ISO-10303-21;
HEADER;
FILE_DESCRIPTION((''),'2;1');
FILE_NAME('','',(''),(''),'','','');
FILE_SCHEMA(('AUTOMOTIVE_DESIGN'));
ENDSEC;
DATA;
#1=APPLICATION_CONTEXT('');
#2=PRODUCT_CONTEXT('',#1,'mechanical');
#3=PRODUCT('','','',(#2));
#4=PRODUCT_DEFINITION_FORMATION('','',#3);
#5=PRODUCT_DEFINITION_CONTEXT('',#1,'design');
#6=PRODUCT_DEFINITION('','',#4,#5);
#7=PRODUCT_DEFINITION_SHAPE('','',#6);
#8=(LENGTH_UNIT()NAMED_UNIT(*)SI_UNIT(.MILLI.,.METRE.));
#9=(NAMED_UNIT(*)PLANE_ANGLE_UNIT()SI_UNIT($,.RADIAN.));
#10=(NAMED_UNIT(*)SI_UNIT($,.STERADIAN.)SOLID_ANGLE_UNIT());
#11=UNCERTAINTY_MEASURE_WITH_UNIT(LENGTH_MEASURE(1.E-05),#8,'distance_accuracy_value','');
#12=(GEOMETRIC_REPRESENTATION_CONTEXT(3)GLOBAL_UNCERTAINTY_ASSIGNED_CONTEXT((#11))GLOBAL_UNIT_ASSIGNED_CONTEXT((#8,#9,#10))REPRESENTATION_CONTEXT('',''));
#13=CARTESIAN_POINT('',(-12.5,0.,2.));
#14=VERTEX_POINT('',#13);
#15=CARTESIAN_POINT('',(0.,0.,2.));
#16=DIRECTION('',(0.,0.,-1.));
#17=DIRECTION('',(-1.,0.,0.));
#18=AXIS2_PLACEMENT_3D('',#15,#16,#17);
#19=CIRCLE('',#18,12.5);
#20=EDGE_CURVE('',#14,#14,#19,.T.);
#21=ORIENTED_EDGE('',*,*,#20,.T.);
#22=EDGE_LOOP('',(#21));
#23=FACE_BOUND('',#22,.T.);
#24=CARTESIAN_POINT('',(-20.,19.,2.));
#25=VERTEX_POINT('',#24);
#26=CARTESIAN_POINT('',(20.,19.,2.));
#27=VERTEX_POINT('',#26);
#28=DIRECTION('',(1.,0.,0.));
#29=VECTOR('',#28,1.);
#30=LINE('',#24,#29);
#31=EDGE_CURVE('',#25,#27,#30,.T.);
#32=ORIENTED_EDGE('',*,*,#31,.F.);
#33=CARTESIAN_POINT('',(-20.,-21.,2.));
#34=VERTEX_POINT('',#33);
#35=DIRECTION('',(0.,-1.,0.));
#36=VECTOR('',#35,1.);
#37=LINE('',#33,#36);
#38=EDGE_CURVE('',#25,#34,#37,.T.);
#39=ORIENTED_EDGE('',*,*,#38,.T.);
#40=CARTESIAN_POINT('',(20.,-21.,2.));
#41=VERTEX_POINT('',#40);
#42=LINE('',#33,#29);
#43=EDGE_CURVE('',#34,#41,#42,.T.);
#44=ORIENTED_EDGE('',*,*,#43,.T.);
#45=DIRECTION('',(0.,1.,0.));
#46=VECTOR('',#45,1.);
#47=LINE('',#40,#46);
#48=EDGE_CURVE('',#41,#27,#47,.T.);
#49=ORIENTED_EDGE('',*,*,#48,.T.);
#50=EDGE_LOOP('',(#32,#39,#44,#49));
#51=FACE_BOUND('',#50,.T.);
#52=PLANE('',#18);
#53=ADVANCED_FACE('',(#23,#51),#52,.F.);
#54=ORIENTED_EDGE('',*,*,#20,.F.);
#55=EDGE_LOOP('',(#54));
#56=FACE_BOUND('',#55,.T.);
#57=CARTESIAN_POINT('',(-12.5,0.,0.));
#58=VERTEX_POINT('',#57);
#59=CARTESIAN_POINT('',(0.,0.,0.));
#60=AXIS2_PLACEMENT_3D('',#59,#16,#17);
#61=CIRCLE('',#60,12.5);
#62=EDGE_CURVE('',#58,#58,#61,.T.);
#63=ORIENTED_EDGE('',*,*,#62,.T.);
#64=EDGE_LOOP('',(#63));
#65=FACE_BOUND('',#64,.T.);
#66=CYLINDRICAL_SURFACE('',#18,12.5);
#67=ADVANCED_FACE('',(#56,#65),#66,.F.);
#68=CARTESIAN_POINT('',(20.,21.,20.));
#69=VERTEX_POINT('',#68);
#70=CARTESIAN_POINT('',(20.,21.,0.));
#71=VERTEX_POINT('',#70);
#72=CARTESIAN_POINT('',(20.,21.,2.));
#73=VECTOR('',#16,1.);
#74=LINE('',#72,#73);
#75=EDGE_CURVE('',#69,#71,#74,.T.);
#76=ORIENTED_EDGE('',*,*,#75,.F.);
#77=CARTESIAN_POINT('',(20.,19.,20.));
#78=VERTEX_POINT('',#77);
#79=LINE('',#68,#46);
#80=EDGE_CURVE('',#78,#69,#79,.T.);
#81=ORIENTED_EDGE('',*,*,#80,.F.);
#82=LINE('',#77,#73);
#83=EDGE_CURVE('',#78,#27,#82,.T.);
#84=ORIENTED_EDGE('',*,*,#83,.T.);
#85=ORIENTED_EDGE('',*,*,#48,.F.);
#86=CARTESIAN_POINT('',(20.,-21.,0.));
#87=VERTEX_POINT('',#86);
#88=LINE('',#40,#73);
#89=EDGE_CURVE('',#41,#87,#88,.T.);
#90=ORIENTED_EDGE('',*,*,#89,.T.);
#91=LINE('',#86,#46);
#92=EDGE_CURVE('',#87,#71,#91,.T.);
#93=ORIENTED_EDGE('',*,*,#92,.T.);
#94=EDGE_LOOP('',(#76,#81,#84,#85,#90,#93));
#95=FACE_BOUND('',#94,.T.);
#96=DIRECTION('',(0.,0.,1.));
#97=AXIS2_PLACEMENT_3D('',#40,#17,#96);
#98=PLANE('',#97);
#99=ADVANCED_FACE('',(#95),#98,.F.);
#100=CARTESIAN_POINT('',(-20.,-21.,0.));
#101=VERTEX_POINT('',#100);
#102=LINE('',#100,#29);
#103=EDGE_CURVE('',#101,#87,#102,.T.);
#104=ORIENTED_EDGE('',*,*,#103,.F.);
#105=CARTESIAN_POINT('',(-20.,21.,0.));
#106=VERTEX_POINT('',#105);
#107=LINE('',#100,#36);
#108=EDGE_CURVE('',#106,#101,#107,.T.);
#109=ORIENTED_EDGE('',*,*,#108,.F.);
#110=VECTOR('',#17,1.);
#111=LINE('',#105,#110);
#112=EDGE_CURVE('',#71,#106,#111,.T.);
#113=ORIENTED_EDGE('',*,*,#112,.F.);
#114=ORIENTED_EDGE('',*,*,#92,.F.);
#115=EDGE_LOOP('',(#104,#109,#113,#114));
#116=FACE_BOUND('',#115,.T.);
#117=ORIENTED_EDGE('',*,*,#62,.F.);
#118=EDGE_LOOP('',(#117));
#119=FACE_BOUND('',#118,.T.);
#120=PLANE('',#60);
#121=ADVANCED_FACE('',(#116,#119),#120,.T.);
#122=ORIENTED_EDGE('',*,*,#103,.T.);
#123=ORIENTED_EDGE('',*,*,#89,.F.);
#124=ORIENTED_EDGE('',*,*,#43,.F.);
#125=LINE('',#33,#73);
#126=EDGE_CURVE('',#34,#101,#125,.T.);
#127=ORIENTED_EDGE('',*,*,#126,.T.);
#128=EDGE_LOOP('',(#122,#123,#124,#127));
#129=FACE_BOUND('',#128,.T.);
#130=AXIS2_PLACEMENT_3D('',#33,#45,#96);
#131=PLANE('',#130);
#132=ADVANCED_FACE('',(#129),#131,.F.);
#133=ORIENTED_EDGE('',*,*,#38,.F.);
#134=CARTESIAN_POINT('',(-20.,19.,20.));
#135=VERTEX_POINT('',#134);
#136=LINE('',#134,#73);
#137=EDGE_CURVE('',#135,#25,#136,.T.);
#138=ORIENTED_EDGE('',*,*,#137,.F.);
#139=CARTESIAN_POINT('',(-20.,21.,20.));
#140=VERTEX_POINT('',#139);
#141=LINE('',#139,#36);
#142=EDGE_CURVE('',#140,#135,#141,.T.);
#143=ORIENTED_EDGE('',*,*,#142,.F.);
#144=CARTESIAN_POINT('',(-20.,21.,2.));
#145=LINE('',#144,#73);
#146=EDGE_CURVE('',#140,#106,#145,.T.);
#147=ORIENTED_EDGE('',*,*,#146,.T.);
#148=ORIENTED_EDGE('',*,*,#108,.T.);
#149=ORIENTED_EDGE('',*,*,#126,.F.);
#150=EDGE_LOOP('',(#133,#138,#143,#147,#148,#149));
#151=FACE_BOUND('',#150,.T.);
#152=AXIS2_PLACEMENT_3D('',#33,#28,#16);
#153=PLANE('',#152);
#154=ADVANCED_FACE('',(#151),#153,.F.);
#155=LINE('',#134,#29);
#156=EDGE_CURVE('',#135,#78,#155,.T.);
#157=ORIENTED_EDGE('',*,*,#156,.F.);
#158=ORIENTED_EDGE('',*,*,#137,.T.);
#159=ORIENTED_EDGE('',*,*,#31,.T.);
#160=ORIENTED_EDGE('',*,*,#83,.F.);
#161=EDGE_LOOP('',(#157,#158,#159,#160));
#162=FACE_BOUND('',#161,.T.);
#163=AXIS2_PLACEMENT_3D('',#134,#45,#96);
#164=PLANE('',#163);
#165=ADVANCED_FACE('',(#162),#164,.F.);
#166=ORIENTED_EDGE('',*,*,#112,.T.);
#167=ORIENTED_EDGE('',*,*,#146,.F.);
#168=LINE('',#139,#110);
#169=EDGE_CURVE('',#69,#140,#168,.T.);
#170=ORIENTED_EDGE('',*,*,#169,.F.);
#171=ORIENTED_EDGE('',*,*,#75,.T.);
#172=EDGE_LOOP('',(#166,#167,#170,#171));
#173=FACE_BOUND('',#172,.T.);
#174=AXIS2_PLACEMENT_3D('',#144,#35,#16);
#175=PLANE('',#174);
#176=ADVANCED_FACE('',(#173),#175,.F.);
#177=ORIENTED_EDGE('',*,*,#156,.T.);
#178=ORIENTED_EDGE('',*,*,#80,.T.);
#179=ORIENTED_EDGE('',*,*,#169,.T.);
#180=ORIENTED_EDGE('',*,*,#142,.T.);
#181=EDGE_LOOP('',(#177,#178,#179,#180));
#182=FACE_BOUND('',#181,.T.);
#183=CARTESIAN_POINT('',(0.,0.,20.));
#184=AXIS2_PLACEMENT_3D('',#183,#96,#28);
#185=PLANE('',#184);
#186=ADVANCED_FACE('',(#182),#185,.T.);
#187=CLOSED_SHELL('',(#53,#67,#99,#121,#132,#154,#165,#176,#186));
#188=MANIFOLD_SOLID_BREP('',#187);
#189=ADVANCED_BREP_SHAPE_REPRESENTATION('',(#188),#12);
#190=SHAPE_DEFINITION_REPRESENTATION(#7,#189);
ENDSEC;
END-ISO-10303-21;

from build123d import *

# Parameters (mm, degrees)
SKETCH1_W           = 40
SKETCH1_H           = 42
SKETCH1_R           = 12.5
BOSS_EXTRUDE1_DEPTH = 2
SKETCH3_W           = 40
SKETCH3_H           = 2
BOSS_EXTRUDE2_DEPTH = 18
BOSS_EXTRUDE3_START = -2
SKETCH4_R           = 12.5
BOSS_EXTRUDE3_DEPTH = 2
SKETCH5_R           = 12.5
CUT_EXTRUDE1_DEPTH  = 2


with BuildPart() as part:
    # Sketch1 → Boss-Extrude1 (new body)
    with BuildSketch(Plane.XY):
        Rectangle(SKETCH1_W, SKETCH1_H)
        Circle(SKETCH1_R, mode=Mode.SUBTRACT)
    extrude(amount=BOSS_EXTRUDE1_DEPTH)

    # Sketch3 → Boss-Extrude2 (add)
    with BuildSketch(Plane.XY.offset(2)):
        with Locations((0, 20)):
            Rectangle(SKETCH3_W, SKETCH3_H)
    extrude(amount=BOSS_EXTRUDE2_DEPTH)

    # Sketch4 → Boss-Extrude3 (add)
    with BuildSketch(Plane.XY.offset(2).offset(BOSS_EXTRUDE3_START)):
        Circle(SKETCH4_R)
    extrude(amount=BOSS_EXTRUDE3_DEPTH)

    # Sketch5 → Cut-Extrude1 (cut)
    with BuildSketch(Plane(origin=(0, 0, 0), x_dir=(-1, 0, 0), z_dir=(0, 0, -1))):
        Circle(SKETCH5_R)
    extrude(amount=-CUT_EXTRUDE1_DEPTH, mode=Mode.SUBTRACT)


solid = part.part
